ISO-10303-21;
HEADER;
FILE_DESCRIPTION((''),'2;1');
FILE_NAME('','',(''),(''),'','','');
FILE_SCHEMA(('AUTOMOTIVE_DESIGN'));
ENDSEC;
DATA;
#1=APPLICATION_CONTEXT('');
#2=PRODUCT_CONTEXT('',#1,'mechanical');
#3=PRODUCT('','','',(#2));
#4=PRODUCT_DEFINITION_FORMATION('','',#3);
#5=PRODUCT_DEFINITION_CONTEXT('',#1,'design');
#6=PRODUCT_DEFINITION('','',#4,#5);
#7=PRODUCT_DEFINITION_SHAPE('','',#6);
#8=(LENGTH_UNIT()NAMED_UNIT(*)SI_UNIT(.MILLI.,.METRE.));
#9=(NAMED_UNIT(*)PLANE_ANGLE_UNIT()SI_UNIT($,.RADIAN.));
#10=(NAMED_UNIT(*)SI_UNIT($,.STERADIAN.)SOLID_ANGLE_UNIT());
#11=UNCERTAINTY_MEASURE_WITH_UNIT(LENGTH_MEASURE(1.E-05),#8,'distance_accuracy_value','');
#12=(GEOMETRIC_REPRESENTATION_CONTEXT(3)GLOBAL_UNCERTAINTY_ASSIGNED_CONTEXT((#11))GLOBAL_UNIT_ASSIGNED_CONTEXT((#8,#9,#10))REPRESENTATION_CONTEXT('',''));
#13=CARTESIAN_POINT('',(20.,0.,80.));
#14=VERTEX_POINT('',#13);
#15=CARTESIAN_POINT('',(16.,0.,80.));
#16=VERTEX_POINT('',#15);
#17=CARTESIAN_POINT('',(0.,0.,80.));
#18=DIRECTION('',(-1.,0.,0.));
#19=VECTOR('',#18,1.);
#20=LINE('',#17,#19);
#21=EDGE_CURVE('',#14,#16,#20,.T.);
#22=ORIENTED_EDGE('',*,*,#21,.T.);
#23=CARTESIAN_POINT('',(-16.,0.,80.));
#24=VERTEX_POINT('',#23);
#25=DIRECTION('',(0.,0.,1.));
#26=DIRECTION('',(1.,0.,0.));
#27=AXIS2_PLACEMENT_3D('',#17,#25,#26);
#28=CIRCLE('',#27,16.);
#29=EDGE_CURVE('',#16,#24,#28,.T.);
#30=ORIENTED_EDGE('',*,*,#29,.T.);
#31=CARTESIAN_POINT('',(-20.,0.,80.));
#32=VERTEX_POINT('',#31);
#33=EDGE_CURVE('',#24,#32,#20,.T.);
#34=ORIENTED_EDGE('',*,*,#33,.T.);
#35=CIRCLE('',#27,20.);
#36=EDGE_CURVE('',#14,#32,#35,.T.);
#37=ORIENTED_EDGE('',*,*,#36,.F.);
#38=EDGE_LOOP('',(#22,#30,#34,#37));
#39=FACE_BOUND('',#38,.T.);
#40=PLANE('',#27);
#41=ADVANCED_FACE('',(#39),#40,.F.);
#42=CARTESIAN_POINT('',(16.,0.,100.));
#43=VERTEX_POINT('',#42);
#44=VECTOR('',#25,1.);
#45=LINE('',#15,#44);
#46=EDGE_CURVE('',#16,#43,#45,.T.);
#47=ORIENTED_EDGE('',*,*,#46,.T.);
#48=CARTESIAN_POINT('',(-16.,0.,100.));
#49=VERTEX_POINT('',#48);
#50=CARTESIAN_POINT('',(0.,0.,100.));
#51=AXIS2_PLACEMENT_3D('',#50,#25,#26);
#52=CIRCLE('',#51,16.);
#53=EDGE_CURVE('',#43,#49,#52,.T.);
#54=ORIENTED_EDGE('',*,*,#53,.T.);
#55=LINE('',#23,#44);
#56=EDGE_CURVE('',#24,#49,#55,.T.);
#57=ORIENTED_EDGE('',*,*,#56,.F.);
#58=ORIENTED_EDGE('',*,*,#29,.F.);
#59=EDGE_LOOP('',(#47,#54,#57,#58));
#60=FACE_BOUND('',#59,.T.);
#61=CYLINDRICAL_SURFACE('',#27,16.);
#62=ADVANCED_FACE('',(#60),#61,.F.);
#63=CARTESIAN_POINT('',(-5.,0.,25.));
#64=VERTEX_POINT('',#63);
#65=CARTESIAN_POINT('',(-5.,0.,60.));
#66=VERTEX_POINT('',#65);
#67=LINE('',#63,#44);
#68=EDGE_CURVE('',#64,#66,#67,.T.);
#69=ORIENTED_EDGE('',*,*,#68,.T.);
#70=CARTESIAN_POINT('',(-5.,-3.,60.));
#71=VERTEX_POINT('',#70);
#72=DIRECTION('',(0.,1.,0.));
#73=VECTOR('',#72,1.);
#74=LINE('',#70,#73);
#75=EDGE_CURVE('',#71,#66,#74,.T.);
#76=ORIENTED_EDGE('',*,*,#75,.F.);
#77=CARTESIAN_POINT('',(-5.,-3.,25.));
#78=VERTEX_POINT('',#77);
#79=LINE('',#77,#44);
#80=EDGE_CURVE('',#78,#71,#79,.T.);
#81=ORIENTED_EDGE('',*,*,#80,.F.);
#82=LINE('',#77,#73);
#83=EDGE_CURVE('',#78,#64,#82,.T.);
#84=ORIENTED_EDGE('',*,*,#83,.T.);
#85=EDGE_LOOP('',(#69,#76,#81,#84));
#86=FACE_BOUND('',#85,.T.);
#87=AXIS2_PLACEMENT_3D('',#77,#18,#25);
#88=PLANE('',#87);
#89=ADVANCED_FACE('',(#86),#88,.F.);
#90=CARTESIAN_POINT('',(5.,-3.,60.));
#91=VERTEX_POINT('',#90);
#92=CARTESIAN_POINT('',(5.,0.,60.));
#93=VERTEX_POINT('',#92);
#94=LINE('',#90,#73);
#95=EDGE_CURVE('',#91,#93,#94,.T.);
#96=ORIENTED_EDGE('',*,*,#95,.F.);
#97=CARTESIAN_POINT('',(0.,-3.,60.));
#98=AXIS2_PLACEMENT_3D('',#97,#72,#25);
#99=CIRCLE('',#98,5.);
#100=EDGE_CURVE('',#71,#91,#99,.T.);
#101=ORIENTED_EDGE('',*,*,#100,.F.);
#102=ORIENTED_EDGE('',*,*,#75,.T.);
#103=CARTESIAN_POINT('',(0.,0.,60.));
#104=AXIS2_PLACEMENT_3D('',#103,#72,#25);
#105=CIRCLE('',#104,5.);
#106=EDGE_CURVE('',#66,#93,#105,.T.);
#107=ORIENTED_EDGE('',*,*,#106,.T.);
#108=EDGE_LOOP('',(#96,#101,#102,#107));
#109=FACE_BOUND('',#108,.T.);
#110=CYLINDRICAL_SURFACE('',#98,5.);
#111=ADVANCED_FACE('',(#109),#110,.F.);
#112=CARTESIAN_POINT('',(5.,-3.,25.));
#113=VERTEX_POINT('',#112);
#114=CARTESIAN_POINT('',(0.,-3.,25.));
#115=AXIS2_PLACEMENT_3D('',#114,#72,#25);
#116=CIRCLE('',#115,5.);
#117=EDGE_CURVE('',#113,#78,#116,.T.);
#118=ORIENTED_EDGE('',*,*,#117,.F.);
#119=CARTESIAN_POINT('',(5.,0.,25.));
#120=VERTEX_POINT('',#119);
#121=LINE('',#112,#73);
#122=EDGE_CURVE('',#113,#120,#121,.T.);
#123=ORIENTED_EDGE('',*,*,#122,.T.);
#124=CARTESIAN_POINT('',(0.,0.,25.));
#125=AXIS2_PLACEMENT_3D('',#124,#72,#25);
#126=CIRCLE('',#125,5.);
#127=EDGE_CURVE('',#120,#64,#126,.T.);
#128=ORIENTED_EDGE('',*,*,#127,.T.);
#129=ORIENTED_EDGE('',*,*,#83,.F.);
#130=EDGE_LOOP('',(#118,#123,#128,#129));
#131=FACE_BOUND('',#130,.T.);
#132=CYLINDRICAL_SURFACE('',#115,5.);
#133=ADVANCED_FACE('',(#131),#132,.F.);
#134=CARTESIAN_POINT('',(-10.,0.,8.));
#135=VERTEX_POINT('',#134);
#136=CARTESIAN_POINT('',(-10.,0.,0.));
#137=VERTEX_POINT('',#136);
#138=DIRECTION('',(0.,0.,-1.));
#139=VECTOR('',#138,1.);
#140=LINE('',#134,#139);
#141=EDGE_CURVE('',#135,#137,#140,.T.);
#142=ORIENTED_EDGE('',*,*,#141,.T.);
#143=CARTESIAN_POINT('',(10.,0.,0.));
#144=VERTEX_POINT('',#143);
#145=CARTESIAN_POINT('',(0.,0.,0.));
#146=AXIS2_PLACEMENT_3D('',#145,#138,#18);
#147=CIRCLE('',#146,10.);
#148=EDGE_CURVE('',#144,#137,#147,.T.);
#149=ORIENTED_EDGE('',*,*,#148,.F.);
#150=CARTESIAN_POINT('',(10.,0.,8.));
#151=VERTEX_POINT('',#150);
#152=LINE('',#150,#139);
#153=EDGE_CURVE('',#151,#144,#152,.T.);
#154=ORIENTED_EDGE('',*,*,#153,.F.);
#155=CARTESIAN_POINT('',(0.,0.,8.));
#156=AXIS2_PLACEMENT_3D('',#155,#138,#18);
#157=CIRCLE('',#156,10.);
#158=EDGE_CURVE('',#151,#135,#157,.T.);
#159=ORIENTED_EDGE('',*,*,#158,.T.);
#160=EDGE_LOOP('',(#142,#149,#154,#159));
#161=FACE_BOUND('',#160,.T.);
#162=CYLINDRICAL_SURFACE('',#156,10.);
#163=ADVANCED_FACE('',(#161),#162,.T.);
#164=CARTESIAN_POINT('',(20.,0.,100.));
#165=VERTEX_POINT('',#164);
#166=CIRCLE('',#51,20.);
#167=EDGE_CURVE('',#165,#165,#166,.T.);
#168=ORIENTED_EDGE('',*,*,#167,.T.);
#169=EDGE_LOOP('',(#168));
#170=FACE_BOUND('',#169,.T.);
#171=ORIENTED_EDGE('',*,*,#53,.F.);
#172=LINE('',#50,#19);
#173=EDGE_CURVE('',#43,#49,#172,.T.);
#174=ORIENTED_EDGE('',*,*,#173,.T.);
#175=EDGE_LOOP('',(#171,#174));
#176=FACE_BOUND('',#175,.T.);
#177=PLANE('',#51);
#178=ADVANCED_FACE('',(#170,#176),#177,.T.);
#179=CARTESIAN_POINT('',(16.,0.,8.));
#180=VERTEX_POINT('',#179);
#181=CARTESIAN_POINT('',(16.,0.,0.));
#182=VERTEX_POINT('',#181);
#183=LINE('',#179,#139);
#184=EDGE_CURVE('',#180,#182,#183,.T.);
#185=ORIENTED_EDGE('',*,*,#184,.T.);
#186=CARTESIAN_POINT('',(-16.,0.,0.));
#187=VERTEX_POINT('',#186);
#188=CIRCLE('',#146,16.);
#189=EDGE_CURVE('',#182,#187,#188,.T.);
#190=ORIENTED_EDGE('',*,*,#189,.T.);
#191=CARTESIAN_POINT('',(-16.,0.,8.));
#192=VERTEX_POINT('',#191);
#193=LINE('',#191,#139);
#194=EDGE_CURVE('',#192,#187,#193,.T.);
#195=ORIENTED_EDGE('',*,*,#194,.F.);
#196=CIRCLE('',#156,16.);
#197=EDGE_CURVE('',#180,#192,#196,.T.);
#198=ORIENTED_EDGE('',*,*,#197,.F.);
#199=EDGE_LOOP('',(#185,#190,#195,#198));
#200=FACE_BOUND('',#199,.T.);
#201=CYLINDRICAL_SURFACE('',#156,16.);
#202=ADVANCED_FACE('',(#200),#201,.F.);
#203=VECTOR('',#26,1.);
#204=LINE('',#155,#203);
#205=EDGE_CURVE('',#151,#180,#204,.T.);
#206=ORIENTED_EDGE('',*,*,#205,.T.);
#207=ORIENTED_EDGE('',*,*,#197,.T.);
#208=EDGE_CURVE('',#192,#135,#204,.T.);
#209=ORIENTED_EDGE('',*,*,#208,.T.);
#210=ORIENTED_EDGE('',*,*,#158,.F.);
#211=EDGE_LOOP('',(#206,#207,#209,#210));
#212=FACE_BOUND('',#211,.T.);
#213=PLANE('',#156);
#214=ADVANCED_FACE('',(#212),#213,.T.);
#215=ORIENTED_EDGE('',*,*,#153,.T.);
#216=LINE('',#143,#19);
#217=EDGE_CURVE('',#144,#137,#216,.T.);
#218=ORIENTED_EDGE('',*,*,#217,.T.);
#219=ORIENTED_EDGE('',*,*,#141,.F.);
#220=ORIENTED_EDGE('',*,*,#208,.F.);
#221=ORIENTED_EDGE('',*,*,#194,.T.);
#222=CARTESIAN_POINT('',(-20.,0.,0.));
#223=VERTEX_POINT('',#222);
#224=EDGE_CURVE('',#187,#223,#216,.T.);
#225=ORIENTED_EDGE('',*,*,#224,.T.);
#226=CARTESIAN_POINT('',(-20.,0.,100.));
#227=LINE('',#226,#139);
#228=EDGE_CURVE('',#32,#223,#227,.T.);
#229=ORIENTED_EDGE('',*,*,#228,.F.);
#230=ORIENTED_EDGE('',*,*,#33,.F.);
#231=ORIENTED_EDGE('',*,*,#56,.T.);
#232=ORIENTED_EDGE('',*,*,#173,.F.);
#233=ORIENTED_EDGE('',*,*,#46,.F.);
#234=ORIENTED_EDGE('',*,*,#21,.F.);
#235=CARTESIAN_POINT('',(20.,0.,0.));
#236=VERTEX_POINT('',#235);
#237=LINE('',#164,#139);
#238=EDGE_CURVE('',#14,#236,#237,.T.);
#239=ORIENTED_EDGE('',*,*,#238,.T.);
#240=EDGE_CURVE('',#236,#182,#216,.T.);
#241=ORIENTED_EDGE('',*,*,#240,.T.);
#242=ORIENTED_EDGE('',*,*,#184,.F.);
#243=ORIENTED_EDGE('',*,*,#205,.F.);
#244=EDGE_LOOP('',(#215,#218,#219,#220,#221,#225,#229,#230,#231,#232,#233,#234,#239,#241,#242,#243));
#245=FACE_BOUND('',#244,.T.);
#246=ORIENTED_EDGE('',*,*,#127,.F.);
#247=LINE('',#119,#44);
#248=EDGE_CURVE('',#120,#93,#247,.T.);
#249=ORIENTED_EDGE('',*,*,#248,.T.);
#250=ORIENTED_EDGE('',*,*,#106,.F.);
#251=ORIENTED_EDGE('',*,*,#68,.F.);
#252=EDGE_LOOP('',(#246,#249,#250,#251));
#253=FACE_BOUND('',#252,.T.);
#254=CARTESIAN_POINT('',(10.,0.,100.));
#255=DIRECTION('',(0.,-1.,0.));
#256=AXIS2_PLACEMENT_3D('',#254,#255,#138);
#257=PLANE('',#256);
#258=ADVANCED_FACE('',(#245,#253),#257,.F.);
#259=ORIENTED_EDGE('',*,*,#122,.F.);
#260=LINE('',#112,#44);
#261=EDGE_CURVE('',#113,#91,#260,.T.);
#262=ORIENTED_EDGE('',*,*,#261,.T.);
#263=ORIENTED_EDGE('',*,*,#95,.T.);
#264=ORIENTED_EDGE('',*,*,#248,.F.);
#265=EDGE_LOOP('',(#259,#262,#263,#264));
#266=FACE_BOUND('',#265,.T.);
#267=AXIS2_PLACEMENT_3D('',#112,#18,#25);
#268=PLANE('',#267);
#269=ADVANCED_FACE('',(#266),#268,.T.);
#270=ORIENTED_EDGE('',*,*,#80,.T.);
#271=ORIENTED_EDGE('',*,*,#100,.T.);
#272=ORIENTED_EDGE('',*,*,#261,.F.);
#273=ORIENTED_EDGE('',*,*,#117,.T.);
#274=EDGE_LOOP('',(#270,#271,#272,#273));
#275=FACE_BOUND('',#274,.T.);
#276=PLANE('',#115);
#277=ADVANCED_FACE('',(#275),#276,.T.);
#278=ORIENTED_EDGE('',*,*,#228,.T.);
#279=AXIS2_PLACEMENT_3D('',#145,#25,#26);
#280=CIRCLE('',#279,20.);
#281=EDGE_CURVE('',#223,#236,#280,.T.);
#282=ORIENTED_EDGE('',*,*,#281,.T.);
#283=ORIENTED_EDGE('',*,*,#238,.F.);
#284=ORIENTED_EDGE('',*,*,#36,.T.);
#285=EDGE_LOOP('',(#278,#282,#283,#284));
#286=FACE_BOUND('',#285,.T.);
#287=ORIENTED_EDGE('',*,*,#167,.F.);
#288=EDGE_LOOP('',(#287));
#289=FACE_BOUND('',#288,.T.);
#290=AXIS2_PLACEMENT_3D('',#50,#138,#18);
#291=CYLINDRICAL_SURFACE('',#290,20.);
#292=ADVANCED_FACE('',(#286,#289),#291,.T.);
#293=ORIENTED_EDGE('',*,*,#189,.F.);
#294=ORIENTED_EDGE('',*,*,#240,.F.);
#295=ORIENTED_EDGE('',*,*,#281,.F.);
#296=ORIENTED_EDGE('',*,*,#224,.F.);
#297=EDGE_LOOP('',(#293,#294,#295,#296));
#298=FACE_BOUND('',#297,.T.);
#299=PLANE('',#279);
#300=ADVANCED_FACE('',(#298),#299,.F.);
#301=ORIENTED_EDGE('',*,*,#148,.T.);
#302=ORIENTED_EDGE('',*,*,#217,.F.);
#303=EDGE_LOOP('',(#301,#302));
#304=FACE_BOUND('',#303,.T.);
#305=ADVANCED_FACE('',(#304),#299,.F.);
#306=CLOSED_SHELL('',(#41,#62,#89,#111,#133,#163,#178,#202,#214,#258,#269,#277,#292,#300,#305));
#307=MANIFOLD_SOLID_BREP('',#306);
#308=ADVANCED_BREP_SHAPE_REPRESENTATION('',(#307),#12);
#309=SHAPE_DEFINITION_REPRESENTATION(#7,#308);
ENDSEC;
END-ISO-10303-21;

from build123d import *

# Parameters (mm, degrees)
BOSS_EXTRUDE1_DEPTH = 100
CUT_EXTRUDE1_DEPTH  = 8
CUT_EXTRUDE2_DEPTH  = 3
BOSS_EXTRUDE4_DEPTH = 20


with BuildPart() as part:
    # Sketch1 → Boss-Extrude1 (new body)
    with BuildSketch(Plane.XY):
        with BuildLine():
            Line((-20, 0), (-16, 0))
            Line((-16, 0), (-10, 0))
            Line((-10, 0), (0, 0))
            Line((0, 0), (10, 0))
            Line((10, 0), (16, 0))
            Line((16, 0), (20, 0))
            ThreePointArc((20, 0), (0, -20), (-20, 0))
        make_face()
    extrude(amount=BOSS_EXTRUDE1_DEPTH)

    # Sketch2 → Cut-Extrude1 (cut)
    with BuildSketch(Plane(origin=(0, 0, 0), x_dir=(-1, 0, 0), z_dir=(0, 0, -1))):
        with BuildLine():
            Line((-10, 0), (-16, 0))
            ThreePointArc((-16, 0), (0, -16), (16, 0))
            Line((16, 0), (10, 0))
            ThreePointArc((10, 0), (0, -10), (-10, 0))
        make_face()
    extrude(amount=-CUT_EXTRUDE1_DEPTH, mode=Mode.SUBTRACT)

    # Sketch3 → Cut-Extrude2 (cut)
    with BuildSketch(Plane(origin=(0, 0, 0), x_dir=(1, 0, 0), z_dir=(0, 1, 0))):
        with BuildLine():
            Line((5, -25), (5, -60))
            ThreePointArc((5, -60), (0, -65), (-5, -60))
            Line((-5, -60), (-5, -25))
            ThreePointArc((-5, -25), (0, -20), (5, -25))
        make_face()
    extrude(amount=-CUT_EXTRUDE2_DEPTH, mode=Mode.SUBTRACT)

    # Sketch4 → Boss-Extrude4 (add)
    with BuildSketch(Plane.XY.offset(100)):
        with BuildLine():
            Line((-20, 0), (-16, 0))
            ThreePointArc((-16, 0), (0, 16), (16, 0))
            Line((16, 0), (20, 0))
            ThreePointArc((20, 0), (0, 20), (-20, 0))
        make_face()
    extrude(amount=-BOSS_EXTRUDE4_DEPTH)


solid = part.part
